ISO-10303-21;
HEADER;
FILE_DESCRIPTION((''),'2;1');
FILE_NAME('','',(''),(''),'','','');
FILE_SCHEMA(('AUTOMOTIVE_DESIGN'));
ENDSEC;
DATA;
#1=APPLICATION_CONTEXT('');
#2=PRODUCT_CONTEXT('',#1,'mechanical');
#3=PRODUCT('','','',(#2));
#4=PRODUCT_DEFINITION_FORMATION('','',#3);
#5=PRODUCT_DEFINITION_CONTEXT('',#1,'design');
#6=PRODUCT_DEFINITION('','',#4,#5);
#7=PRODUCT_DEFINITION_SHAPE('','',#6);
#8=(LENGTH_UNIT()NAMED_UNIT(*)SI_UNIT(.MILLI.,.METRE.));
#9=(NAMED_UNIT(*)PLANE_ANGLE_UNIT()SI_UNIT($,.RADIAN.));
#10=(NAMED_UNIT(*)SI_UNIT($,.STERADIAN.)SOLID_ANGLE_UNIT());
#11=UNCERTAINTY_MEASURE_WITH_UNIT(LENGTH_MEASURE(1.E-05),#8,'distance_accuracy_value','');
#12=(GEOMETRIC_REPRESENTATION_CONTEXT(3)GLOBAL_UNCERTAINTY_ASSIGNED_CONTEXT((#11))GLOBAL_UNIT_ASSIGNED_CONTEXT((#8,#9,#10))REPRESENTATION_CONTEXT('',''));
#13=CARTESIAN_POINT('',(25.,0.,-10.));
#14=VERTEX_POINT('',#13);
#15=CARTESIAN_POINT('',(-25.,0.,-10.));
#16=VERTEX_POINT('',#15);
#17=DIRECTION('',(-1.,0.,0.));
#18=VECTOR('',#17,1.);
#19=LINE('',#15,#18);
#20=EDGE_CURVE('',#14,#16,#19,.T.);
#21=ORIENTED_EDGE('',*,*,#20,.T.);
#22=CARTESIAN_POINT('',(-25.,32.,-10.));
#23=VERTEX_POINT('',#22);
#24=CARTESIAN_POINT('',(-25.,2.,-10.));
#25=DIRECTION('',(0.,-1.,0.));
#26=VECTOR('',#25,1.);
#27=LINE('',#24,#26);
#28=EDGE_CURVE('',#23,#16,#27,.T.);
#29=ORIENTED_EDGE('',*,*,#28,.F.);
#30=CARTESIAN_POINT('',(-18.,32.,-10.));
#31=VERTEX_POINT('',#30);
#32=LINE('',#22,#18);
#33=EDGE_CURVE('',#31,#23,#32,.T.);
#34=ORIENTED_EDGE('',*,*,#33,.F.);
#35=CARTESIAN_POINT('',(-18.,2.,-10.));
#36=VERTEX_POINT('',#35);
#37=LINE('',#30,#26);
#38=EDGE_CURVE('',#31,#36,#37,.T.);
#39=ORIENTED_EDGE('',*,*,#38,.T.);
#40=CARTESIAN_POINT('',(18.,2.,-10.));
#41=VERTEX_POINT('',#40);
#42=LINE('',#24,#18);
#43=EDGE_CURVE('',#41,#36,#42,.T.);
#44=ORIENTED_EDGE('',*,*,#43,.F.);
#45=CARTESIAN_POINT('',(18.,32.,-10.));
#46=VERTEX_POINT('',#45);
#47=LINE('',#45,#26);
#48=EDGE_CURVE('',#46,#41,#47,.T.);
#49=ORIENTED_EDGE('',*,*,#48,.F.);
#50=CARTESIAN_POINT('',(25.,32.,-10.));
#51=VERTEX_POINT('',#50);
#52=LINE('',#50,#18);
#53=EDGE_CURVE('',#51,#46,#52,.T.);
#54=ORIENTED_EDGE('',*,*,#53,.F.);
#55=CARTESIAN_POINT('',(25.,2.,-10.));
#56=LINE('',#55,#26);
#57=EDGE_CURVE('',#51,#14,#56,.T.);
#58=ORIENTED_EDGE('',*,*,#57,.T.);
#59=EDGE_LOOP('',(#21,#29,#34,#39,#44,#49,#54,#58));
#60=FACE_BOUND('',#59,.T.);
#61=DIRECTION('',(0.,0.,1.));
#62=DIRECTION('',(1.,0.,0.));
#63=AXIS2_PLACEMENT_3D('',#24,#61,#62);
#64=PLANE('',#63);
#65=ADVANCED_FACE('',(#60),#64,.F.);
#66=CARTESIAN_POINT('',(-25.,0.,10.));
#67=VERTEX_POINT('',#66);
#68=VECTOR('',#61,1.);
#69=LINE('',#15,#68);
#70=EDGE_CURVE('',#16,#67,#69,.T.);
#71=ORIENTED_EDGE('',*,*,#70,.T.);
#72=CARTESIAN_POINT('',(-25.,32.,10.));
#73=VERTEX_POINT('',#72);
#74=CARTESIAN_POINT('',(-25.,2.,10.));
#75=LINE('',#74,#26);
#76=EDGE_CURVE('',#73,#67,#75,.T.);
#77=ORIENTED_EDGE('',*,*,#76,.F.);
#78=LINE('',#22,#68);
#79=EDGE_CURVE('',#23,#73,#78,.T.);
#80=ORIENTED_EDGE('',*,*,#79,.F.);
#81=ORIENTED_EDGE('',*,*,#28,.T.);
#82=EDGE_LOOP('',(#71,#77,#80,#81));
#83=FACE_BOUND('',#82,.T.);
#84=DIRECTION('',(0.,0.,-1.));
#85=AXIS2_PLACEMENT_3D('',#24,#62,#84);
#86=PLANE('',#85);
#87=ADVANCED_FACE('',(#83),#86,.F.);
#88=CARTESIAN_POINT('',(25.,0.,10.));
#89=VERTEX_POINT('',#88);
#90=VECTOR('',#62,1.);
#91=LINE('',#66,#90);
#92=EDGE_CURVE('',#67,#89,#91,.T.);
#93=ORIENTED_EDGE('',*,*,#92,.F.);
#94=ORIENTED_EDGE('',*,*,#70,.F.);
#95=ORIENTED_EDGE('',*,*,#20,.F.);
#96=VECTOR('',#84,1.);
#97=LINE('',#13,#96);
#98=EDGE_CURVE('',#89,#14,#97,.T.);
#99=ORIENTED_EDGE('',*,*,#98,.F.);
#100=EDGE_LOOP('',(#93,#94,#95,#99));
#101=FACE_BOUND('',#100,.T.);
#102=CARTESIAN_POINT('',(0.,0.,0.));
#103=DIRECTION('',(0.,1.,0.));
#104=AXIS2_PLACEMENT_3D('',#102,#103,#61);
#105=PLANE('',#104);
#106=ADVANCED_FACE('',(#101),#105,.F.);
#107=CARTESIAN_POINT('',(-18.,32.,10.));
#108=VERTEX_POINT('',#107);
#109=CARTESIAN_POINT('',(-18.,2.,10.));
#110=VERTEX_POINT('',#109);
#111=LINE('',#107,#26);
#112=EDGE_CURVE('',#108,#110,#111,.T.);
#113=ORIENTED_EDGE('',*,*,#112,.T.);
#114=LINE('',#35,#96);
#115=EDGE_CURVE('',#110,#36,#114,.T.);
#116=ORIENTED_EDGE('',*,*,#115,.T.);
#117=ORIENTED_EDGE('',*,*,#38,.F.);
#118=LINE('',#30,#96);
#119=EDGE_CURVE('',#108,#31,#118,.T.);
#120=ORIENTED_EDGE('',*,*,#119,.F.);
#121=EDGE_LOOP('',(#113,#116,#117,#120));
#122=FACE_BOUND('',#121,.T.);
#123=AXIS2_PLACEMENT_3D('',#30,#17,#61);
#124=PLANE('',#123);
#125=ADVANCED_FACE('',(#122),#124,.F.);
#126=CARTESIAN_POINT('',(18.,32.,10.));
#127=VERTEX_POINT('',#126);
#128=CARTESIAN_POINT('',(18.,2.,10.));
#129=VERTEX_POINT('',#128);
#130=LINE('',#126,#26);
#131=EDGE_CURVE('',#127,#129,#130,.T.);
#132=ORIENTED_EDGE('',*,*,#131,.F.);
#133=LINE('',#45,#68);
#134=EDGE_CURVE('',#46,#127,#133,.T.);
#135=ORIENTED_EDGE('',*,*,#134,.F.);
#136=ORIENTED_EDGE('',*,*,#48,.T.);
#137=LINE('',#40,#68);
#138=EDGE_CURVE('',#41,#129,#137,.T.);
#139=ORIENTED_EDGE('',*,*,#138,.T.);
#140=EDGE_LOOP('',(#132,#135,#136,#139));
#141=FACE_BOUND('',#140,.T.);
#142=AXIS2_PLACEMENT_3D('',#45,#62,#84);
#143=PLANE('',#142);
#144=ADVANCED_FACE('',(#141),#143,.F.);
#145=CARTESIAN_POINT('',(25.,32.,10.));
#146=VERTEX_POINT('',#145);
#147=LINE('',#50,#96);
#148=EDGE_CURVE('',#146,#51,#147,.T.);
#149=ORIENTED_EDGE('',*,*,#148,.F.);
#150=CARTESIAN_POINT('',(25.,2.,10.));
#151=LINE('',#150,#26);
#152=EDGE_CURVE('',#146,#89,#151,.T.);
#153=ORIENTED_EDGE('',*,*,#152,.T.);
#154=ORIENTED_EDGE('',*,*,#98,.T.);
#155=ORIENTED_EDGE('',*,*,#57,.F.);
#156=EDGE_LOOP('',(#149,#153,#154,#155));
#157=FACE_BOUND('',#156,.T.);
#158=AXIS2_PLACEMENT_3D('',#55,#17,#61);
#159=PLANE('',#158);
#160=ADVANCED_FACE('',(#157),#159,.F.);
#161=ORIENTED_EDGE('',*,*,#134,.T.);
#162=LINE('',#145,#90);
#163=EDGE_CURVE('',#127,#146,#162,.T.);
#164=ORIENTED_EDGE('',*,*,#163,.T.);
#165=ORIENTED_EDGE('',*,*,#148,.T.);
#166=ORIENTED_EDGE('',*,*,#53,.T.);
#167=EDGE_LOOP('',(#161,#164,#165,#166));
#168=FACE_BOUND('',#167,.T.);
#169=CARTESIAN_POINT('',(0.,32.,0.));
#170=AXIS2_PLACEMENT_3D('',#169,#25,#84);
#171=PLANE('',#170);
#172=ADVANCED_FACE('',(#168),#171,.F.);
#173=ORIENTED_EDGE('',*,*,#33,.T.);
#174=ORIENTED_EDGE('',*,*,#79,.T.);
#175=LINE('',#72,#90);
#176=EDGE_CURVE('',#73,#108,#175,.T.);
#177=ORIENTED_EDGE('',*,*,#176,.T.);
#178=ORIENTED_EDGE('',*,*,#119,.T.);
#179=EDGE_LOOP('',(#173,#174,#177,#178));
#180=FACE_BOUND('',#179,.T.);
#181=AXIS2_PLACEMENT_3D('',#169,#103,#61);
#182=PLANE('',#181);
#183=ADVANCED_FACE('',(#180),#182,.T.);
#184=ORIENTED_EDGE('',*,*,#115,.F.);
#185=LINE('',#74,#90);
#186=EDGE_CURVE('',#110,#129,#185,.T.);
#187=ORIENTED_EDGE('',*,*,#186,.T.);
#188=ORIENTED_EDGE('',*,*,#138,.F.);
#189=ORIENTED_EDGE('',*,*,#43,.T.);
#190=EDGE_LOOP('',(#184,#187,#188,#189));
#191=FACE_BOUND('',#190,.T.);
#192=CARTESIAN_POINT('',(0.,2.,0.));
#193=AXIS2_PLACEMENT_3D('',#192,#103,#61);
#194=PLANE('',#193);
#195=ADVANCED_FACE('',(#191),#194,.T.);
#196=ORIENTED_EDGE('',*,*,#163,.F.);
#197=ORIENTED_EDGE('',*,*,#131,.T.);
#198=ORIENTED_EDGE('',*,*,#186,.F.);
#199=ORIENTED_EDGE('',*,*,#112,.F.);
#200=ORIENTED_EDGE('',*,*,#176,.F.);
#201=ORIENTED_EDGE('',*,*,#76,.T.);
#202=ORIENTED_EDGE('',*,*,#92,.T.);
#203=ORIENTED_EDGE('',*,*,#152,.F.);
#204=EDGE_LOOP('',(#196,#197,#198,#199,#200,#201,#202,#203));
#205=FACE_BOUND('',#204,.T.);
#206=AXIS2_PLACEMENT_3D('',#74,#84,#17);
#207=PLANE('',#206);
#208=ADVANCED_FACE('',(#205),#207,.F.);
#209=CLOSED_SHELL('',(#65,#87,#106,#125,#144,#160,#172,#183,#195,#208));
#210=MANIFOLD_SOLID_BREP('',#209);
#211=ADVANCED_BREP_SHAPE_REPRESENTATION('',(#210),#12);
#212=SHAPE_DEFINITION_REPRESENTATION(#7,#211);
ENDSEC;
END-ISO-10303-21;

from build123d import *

# Parameters (mm, degrees)
SKETCH1_W           = 50
SKETCH1_H           = 20
BOSS_EXTRUDE1_DEPTH = 2
SKETCH2_W           = 7
SKETCH2_H           = 20
BOSS_EXTRUDE2_DEPTH = 30


with BuildPart() as part:
    # Sketch1 → Boss-Extrude1 (new body)
    with BuildSketch(Plane(origin=(0, 0, 0), x_dir=(1, 0, 0), z_dir=(0, 1, 0))):
        Rectangle(SKETCH1_W, SKETCH1_H)
    extrude(amount=BOSS_EXTRUDE1_DEPTH)

    # Sketch2 → Boss-Extrude2 (add)
    with BuildSketch(Plane(origin=(0, 2, 0), x_dir=(1, 0, 0), z_dir=(0, 1, 0))):
        with Locations((-21.5, 0)):
            Rectangle(SKETCH2_W, SKETCH2_H)
        with Locations((21.5, 0)):
            Rectangle(SKETCH2_W, SKETCH2_H)
    extrude(amount=BOSS_EXTRUDE2_DEPTH)


solid = part.part
